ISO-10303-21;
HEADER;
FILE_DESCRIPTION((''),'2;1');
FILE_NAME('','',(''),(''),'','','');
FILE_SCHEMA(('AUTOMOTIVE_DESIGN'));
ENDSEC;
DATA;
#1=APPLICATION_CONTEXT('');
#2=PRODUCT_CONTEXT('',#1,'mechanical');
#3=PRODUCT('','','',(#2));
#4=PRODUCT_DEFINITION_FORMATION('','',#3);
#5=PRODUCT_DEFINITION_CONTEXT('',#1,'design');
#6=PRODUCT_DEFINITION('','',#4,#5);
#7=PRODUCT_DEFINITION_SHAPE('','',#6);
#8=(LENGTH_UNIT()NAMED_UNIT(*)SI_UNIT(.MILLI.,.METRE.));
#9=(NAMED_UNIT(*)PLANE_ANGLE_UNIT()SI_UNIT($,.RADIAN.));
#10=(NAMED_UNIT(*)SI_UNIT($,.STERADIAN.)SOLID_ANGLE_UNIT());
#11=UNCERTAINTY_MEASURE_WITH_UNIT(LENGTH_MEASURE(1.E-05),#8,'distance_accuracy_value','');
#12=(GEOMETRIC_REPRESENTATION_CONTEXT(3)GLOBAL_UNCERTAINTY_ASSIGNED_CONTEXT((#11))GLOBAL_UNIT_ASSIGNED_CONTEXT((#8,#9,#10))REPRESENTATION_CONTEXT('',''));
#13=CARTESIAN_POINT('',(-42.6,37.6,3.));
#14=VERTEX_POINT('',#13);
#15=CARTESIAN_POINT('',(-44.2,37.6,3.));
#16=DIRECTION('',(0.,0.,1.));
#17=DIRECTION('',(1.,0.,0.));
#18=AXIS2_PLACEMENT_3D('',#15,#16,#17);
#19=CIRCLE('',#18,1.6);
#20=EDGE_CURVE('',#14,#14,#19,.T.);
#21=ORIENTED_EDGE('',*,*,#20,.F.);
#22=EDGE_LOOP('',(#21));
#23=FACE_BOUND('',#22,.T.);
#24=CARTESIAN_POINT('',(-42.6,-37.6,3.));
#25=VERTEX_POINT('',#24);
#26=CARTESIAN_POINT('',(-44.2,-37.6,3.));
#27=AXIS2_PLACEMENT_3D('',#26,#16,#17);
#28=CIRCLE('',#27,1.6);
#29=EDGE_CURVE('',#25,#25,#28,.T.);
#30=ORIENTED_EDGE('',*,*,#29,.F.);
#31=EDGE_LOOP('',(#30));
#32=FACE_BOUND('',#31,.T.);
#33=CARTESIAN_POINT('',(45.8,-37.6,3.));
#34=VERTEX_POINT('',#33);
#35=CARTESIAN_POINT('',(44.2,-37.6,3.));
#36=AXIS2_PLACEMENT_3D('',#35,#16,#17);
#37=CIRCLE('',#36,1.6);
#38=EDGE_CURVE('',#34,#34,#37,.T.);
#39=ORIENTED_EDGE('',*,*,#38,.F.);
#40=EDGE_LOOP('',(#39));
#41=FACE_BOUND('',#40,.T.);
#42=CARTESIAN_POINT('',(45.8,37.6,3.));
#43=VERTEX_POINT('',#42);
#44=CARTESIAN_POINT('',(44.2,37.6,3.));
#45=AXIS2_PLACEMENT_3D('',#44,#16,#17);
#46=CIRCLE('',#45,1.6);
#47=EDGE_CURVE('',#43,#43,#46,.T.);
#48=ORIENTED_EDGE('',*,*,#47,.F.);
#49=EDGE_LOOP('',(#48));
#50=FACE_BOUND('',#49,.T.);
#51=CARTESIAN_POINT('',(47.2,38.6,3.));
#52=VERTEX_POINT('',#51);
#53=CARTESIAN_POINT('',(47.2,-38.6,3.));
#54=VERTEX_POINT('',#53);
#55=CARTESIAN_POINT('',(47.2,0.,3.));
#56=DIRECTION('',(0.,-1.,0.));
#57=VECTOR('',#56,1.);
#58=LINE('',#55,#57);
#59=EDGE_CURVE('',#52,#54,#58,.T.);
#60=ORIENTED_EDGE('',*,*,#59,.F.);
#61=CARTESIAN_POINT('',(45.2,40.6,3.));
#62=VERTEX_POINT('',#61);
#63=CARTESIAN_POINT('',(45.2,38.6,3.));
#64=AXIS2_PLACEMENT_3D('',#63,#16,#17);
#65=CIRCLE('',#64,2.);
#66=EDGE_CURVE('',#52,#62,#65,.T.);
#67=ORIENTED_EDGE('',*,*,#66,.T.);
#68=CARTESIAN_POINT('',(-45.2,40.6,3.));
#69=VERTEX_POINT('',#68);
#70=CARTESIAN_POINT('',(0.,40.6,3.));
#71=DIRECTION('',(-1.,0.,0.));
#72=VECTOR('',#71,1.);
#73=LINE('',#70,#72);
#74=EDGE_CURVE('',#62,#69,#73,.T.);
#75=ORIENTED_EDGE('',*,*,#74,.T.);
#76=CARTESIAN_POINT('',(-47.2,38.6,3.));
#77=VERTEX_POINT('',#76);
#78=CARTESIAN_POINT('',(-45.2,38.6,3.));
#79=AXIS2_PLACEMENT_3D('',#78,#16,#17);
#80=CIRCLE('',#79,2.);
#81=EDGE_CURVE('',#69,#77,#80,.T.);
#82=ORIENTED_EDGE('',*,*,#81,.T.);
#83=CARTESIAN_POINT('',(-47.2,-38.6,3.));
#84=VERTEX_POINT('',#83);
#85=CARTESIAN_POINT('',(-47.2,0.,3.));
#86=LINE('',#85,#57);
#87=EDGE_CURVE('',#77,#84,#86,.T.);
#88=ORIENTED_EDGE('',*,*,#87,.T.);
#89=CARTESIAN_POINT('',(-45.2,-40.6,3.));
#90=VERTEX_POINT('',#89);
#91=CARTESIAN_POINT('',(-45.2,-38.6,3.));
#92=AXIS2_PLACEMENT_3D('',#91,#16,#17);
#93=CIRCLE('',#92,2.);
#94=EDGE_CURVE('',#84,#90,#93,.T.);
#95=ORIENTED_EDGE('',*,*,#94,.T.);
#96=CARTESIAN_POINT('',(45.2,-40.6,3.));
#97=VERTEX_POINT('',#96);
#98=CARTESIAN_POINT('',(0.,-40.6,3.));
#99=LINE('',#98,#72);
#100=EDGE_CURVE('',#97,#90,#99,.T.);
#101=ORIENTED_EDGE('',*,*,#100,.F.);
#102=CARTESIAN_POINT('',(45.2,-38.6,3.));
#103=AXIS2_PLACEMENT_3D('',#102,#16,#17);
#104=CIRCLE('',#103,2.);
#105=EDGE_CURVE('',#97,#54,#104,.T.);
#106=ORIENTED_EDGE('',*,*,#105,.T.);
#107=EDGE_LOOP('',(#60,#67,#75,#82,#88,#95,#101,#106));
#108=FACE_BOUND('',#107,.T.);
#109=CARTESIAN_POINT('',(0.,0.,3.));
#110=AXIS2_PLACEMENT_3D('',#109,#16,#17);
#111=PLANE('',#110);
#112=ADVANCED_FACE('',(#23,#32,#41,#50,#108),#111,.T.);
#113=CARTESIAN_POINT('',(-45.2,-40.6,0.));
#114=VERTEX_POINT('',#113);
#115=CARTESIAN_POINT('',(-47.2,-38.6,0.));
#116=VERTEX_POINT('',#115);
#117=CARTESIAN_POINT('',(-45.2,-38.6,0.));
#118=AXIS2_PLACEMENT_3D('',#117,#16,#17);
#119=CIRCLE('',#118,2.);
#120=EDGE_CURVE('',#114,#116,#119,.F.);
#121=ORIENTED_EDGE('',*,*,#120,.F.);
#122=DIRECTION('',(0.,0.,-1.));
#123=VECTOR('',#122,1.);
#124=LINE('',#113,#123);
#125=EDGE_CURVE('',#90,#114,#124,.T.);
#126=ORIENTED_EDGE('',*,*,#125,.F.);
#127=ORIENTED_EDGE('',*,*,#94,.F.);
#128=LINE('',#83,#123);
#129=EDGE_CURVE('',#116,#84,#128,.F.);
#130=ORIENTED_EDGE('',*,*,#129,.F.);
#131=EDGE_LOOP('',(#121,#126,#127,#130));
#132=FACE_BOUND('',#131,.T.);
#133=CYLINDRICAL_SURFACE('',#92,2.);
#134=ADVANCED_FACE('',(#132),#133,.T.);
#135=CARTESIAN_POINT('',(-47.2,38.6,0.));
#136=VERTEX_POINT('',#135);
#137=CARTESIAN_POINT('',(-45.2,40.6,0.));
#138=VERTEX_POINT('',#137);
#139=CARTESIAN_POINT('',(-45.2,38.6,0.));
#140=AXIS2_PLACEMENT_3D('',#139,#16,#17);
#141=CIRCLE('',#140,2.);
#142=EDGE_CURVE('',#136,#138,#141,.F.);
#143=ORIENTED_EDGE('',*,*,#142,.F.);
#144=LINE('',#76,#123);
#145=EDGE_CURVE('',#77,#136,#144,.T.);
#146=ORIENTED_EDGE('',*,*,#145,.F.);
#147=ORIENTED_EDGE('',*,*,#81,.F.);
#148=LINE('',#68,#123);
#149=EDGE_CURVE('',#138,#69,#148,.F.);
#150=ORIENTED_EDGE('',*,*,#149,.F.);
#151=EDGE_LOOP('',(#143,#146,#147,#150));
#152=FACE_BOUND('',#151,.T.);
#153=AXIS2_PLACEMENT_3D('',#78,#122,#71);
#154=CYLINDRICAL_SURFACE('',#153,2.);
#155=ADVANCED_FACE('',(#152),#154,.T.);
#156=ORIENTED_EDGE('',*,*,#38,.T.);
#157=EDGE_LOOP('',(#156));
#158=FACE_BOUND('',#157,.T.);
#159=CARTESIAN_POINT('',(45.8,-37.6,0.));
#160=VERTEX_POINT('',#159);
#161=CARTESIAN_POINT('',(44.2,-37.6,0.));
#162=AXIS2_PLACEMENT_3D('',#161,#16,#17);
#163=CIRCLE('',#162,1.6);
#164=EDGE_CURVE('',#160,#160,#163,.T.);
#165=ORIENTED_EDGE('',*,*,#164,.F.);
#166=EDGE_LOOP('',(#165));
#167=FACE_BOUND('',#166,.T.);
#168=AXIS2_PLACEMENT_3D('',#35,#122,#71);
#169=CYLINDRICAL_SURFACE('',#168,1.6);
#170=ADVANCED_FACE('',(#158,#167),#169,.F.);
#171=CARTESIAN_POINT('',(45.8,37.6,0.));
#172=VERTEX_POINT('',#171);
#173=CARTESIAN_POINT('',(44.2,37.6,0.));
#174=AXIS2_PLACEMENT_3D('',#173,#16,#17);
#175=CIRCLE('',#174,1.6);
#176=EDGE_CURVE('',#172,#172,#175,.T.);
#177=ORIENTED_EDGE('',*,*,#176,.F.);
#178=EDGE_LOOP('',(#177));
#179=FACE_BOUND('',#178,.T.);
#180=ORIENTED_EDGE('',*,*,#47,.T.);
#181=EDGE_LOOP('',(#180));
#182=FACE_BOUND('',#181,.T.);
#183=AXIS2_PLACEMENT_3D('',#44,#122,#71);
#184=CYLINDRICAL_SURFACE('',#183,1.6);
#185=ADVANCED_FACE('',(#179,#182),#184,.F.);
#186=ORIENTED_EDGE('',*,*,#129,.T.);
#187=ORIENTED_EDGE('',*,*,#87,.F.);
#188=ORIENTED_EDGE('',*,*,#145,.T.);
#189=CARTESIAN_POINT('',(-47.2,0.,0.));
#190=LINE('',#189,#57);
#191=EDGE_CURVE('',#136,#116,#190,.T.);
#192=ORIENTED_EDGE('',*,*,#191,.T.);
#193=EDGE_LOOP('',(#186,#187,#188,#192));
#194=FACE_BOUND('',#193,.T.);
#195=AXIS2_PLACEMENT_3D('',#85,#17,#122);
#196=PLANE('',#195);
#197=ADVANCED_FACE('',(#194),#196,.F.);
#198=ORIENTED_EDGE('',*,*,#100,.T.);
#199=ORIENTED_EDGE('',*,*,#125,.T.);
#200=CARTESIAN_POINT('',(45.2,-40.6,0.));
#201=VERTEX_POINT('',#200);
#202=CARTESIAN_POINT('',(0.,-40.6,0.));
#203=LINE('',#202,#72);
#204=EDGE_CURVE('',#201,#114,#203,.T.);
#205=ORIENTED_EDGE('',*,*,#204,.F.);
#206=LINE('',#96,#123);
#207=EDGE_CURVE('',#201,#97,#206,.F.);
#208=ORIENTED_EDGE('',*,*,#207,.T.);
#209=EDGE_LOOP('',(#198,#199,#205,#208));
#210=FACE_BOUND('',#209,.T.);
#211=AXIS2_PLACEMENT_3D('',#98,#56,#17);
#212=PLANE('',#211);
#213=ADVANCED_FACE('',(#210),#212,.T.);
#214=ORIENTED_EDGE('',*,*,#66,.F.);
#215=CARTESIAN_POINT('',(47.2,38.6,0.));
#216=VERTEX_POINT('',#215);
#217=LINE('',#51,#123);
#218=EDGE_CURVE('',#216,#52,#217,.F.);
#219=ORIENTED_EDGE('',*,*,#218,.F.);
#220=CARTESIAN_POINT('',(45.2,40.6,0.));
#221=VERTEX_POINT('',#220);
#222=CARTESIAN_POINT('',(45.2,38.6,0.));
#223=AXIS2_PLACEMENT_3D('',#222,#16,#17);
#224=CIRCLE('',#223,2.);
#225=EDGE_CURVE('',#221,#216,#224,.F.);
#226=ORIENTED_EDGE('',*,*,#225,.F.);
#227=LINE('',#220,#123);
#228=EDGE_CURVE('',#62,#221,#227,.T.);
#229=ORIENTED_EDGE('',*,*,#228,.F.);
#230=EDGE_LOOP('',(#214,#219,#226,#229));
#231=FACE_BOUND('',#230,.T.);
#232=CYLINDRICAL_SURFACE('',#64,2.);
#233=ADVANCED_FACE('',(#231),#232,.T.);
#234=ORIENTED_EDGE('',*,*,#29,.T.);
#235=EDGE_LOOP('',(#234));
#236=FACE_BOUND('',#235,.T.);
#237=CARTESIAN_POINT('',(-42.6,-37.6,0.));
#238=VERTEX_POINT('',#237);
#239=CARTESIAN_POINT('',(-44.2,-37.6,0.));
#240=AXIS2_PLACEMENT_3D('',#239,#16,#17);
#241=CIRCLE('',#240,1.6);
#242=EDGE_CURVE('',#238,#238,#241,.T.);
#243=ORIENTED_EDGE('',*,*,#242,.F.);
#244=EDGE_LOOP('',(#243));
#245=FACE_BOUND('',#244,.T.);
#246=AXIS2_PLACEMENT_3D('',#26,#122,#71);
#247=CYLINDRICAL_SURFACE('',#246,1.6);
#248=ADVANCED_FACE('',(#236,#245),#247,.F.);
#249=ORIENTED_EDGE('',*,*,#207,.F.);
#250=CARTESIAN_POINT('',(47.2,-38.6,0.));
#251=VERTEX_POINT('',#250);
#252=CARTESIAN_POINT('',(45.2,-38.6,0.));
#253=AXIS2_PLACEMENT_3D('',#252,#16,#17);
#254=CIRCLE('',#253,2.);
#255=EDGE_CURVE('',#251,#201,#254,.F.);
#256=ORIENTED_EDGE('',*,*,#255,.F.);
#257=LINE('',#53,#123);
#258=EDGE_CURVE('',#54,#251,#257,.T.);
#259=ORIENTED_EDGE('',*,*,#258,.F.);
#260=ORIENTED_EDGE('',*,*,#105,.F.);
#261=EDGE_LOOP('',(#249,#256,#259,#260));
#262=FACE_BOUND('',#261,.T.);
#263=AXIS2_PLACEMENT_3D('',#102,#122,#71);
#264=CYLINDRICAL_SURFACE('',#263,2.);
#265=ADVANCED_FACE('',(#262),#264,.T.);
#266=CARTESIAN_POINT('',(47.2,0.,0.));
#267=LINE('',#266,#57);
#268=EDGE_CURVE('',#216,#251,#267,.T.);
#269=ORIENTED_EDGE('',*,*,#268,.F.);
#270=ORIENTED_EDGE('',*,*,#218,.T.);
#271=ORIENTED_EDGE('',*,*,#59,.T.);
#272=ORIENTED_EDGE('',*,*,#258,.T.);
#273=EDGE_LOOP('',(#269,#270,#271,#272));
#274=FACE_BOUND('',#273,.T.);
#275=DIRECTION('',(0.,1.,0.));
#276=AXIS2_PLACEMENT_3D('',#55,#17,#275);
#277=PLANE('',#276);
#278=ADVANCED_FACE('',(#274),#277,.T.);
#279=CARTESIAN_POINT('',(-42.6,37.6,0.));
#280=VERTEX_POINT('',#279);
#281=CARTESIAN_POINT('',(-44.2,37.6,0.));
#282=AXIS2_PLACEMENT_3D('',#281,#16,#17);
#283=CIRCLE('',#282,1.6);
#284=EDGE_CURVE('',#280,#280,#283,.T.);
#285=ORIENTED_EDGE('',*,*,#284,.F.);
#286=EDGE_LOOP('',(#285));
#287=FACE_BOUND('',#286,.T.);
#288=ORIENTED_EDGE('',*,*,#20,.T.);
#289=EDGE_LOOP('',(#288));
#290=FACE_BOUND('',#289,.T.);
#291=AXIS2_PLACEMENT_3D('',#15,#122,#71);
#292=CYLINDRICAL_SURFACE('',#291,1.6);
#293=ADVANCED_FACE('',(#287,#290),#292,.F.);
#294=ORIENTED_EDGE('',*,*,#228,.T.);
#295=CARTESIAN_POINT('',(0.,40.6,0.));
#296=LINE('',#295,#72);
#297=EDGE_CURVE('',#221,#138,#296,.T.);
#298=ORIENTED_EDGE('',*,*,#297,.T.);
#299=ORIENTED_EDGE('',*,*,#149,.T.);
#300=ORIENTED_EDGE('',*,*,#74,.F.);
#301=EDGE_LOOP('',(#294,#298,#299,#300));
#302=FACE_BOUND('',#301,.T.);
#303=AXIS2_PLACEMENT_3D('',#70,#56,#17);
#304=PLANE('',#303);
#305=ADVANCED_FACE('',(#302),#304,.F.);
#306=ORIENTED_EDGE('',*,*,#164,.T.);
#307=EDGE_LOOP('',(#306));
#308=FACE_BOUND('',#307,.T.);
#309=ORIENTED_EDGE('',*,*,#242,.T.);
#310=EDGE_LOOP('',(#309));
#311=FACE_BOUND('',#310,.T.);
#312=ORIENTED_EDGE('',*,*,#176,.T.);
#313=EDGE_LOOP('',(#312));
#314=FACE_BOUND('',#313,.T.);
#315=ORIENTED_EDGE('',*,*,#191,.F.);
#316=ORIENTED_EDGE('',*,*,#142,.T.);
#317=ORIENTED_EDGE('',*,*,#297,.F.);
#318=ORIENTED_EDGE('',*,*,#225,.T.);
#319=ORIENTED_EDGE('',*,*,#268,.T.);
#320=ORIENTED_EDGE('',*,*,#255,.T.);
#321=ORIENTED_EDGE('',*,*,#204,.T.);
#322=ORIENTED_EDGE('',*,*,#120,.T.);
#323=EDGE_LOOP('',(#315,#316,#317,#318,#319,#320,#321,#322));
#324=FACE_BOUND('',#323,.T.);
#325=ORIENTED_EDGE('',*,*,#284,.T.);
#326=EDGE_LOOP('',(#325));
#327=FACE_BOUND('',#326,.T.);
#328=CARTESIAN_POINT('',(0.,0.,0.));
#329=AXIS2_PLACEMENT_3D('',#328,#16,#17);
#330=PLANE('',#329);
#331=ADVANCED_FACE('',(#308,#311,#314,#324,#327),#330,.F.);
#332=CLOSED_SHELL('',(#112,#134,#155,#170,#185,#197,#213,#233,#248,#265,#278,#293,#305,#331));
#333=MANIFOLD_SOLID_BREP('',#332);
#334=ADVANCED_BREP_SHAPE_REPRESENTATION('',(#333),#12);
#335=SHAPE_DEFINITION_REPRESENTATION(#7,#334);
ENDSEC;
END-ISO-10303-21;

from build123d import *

# Parameters (mm, degrees)
SKETCH_1_W      = 94.4
SKETCH_1_H      = 81.2
SKETCH_1_R      = 1.6
EXTRUDE_1_DEPTH = 3
FILLET_1_R      = 2


with BuildPart() as part:
    # 草图1 → 凸台-拉伸1 (new body)
    with BuildSketch(Plane.XY):
        Rectangle(SKETCH_1_W, SKETCH_1_H)
        with Locations((44.2, 37.6)):
            Circle(SKETCH_1_R, mode=Mode.SUBTRACT)
        with Locations((44.2, -37.6)):
            Circle(SKETCH_1_R, mode=Mode.SUBTRACT)
        with Locations((-44.2, 37.6)):
            Circle(SKETCH_1_R, mode=Mode.SUBTRACT)
        with Locations((-44.2, -37.6)):
            Circle(SKETCH_1_R, mode=Mode.SUBTRACT)
    extrude(amount=EXTRUDE_1_DEPTH)

    # 圆角1
    fillet_1_edges = [part.edges().sort_by_distance(p)[0] for p in [
        (47.2, -40.6, 1.5),
        (-47.2, -40.6, 1.5),
        (-47.2, 40.6, 1.5),
        (47.2, 40.6, 1.5),
    ]]
    fillet(fillet_1_edges, radius=FILLET_1_R)


solid = part.part
